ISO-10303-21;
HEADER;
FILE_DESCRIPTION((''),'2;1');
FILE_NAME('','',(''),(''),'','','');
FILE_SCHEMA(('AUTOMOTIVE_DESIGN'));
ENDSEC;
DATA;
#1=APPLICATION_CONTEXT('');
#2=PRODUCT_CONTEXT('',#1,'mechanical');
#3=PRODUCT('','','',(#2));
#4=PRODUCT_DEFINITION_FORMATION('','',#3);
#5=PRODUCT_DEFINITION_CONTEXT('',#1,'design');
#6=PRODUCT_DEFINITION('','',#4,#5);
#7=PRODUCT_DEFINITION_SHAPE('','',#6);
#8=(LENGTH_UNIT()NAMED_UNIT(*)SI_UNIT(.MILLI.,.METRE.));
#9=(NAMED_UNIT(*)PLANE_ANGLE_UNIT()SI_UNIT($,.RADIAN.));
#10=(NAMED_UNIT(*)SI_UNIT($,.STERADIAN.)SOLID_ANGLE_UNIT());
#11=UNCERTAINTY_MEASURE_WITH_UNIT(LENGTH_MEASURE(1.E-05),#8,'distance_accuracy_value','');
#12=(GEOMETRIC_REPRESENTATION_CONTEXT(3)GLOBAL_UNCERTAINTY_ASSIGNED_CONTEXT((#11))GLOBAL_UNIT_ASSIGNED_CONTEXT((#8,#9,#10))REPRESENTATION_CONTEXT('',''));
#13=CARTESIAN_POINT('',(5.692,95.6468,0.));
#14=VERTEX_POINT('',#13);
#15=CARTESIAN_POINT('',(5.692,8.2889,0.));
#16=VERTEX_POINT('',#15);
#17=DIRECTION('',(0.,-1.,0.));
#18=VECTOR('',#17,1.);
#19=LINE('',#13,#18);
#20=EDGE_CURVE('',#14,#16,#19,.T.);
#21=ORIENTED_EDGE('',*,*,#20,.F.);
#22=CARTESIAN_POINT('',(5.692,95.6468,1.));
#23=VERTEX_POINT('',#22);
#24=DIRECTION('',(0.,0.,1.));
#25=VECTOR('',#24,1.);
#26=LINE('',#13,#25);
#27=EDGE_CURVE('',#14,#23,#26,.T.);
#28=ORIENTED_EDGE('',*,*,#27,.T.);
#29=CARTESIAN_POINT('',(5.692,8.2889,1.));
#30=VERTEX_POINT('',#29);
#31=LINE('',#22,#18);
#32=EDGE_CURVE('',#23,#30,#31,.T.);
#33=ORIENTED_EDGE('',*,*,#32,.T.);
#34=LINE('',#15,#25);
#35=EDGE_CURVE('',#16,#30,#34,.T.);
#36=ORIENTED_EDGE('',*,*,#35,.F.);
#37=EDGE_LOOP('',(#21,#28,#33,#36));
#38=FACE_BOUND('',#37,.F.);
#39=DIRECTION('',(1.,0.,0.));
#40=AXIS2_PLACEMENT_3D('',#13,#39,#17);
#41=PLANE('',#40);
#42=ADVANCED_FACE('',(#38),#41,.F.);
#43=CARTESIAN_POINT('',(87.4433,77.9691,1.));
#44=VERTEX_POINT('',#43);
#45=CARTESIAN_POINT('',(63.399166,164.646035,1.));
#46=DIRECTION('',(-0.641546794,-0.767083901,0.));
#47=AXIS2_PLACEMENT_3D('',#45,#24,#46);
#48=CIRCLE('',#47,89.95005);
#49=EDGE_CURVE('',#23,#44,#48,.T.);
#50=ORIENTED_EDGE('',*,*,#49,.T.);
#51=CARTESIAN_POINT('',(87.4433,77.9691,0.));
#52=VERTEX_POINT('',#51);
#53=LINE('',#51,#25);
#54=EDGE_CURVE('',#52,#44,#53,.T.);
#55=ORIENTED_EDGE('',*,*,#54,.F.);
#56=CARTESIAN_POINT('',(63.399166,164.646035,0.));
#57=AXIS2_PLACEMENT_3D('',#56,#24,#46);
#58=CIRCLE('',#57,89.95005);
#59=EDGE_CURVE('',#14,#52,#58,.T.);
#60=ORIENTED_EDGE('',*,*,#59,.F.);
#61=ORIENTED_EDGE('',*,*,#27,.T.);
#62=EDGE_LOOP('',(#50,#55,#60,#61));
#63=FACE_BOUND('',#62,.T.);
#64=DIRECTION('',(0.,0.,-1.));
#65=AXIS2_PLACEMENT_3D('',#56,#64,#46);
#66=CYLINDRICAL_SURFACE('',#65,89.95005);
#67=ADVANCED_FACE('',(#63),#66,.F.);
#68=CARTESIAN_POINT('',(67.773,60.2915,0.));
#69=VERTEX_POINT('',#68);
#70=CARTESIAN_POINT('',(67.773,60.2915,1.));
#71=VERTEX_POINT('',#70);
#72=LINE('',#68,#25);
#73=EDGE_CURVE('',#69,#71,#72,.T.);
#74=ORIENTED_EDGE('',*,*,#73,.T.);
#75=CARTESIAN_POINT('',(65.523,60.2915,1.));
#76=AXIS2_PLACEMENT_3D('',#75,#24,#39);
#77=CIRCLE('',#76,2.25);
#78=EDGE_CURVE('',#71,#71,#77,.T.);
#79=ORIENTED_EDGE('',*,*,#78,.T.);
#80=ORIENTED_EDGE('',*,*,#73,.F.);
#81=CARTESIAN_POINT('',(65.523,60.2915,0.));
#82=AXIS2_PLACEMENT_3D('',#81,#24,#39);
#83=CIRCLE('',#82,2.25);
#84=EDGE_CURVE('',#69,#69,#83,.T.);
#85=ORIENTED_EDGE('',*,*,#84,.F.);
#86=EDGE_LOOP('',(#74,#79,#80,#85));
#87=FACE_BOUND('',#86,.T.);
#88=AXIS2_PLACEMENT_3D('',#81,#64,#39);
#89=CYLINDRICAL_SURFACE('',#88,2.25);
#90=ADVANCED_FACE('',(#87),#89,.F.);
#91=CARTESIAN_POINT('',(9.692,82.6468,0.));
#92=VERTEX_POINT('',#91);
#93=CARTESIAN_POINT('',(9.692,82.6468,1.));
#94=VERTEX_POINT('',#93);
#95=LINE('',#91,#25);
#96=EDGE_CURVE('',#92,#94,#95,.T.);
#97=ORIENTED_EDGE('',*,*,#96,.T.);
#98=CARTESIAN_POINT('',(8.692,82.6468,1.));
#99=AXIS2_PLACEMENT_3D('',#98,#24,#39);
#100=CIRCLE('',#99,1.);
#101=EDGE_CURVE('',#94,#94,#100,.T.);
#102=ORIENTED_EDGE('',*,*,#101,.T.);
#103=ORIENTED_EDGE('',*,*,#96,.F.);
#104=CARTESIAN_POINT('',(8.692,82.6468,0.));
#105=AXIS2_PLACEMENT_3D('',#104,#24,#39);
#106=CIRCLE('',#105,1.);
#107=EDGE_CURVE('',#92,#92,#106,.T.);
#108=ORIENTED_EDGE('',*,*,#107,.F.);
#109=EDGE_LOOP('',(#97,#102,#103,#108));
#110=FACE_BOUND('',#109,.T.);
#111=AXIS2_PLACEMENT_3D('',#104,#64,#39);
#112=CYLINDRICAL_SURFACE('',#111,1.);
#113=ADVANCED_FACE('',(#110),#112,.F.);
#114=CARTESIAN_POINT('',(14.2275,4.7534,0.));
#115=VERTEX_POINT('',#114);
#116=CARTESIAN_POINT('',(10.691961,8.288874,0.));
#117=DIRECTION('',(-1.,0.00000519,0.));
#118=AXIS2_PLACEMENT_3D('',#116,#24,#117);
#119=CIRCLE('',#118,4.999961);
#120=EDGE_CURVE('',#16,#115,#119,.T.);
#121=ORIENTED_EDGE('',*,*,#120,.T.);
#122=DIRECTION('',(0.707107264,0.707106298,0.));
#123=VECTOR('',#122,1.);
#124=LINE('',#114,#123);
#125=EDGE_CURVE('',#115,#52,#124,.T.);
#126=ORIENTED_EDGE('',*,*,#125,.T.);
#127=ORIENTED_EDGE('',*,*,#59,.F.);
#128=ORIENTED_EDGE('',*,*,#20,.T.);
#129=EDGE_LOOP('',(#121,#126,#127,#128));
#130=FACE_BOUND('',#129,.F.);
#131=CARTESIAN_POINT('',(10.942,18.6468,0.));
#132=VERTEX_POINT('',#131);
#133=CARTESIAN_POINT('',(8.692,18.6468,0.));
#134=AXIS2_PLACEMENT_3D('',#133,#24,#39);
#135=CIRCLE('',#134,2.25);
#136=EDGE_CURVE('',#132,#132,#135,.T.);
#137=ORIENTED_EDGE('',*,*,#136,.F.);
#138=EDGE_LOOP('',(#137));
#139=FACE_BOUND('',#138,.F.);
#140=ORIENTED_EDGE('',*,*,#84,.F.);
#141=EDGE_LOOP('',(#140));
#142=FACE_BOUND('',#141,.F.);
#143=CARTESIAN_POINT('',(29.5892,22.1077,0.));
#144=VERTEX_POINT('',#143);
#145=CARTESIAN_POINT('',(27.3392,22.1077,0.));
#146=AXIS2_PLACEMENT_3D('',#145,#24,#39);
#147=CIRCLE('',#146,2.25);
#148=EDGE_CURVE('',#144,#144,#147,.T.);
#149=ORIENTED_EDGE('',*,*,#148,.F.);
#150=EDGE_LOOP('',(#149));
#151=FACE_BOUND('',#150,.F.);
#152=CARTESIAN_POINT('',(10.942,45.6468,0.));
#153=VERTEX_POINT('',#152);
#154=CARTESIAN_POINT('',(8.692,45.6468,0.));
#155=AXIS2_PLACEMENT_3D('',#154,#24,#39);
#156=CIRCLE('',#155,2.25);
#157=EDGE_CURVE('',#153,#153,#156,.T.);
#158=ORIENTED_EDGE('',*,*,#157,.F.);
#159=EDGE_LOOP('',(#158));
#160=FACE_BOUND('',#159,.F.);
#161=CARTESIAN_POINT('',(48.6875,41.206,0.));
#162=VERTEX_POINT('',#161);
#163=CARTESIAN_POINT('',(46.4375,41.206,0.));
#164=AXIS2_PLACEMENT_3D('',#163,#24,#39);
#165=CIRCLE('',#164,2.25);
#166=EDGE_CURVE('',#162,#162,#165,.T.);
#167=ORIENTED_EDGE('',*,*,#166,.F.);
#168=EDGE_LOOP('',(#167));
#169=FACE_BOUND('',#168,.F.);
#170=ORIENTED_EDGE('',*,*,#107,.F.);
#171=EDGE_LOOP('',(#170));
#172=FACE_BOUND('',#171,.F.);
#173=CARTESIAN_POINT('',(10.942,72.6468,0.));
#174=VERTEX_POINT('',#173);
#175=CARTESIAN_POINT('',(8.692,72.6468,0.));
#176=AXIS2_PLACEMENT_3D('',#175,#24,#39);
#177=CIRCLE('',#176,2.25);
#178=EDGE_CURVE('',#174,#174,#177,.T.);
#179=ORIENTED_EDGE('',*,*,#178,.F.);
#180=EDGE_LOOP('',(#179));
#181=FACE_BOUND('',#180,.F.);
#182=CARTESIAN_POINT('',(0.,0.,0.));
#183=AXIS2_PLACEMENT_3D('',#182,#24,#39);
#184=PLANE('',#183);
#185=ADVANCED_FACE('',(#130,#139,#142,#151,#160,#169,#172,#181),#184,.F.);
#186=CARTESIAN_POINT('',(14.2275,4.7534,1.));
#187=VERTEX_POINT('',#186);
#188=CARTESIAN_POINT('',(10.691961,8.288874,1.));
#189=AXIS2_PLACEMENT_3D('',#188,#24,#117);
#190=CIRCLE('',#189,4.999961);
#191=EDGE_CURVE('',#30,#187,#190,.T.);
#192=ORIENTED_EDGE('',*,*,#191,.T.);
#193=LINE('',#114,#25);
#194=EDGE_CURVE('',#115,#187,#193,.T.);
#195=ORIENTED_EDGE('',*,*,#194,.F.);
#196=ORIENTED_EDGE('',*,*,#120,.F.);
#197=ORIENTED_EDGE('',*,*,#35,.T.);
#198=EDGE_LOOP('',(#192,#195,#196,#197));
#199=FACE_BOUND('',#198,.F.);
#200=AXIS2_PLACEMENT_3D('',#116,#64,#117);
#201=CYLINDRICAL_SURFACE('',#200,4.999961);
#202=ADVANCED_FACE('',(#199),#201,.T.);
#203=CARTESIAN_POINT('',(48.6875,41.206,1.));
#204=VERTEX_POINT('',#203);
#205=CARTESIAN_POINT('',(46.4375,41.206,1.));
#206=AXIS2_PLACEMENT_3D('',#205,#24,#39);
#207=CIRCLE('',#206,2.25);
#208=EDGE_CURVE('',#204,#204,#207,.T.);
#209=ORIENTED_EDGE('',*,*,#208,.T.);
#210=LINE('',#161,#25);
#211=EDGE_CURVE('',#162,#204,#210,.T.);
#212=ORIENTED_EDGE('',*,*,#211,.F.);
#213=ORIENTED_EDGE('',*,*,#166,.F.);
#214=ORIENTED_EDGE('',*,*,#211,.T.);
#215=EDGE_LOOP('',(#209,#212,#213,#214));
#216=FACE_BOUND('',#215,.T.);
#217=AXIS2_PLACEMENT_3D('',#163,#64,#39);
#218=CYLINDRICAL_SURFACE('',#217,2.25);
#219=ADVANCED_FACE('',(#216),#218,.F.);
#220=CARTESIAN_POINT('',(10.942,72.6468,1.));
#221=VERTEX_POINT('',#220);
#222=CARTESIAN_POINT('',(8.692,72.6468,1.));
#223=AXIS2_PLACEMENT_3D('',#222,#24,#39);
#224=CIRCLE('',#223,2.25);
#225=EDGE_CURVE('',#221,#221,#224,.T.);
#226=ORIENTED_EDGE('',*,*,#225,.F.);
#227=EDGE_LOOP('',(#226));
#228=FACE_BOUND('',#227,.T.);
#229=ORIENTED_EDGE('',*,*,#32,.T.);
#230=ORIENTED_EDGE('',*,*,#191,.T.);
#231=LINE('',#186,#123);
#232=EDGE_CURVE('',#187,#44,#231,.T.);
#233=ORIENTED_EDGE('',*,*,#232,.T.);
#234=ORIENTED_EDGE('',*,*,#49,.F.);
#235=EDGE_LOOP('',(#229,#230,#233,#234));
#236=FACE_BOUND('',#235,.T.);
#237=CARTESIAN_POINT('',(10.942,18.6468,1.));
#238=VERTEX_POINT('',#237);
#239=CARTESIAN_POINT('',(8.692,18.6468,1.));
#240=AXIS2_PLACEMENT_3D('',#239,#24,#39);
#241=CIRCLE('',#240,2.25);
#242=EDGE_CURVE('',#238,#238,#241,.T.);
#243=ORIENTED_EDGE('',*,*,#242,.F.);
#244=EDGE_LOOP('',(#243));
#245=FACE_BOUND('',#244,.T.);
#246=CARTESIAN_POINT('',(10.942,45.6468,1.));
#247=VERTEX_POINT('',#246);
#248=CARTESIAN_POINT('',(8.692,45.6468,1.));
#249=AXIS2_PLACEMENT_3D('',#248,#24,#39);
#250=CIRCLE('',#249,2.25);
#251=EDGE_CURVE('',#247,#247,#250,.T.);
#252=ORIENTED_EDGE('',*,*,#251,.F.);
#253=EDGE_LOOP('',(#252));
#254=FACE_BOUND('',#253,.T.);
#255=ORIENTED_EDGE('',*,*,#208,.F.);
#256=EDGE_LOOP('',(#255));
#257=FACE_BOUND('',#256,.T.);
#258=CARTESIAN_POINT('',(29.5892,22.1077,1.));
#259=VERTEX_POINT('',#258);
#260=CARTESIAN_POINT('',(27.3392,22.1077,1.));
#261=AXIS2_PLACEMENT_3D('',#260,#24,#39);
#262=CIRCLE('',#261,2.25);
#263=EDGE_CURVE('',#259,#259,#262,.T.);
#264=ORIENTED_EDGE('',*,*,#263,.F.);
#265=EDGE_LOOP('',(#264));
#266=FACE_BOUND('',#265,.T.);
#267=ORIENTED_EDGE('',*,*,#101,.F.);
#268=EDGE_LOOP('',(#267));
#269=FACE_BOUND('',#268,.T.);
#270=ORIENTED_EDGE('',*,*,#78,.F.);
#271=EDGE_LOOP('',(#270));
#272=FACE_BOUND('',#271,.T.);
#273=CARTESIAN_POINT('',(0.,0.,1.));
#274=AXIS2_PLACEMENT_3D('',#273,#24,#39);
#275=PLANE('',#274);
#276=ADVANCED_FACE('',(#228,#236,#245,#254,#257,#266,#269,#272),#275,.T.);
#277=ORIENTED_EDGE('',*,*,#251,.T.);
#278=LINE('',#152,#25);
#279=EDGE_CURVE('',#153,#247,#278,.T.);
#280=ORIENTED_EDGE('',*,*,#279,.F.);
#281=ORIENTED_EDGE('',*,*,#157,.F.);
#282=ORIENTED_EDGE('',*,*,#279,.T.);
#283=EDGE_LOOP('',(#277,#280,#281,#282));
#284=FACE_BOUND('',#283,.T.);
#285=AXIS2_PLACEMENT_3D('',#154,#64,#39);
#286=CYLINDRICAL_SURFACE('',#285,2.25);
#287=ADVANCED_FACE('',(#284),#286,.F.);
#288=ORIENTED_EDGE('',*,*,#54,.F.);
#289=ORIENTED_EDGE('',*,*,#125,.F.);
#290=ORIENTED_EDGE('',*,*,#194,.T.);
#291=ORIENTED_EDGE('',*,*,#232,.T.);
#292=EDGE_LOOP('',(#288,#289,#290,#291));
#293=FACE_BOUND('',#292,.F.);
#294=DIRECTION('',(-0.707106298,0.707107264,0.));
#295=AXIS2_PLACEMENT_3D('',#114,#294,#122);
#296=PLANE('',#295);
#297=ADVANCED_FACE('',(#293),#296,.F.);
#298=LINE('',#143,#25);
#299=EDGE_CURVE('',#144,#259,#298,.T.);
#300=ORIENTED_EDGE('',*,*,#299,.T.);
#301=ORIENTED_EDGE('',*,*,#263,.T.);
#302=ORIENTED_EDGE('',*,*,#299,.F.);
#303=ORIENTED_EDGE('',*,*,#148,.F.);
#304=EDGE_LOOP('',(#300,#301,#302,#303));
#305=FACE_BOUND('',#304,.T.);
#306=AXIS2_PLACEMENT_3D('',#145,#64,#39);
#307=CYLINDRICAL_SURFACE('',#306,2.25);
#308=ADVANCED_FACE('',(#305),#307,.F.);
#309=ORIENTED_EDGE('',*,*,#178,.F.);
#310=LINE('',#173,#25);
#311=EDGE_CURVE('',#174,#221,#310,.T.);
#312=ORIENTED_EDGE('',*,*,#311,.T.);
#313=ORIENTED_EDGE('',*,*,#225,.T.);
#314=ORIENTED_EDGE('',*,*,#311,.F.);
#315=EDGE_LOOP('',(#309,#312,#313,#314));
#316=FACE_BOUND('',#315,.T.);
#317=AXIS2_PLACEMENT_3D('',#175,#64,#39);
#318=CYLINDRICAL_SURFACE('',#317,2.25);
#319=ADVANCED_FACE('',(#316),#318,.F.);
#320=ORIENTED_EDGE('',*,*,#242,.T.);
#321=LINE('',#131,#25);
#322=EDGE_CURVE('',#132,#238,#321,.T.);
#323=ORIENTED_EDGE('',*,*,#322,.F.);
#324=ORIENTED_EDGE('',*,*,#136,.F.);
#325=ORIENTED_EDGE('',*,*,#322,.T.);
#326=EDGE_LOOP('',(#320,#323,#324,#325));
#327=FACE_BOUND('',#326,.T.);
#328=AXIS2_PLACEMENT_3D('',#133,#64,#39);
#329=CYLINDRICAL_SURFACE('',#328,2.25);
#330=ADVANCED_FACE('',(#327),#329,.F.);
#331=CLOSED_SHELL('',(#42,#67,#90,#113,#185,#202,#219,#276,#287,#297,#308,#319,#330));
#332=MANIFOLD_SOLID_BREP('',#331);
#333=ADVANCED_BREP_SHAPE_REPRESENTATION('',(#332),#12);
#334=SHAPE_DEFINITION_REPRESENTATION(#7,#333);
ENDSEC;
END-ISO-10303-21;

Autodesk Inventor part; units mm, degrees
ref_plane "YZ Plane" through (0, 0, 0) normal (1, 0, 0) x (0, 1, 0)
ref_plane "XZ Plane" through (0, 0, 0) normal (0, 1, 0) x (-1, 0, 0)
ref_plane "XY Plane" through (0, 0, 0) normal (0, 0, 1) x (1, 0, 0)
sketch "Sketch1" plane through (0, 0, 0) normal (0, 0, 1) x (1, 0, 0)
  line L0 (5.692, 95.6468) -> (5.692, 8.2889)
  line L1 (14.2275, 4.7534) -> (87.4433, 77.9691)
  arc A0 (5.692, 95.6468) -> (87.4433, 77.9691) centre (63.3991, 164.6459) ccw
  line L2 (59.8725, 27.771) -> (44.3162, 43.3273) construction
  circle A1 centre (46.4375, 41.206) radius 2.25
  circle A2 centre (27.3392, 22.1077) radius 2.25
  circle A3 centre (65.523, 60.2915) radius 2.25
  circle A4 centre (8.692, 18.6468) radius 2.25
  circle A5 centre (8.692, 45.6468) radius 2.25
  circle A6 centre (8.692, 72.6468) radius 2.25
  arc A7 (5.692, 8.2889) -> (14.2275, 4.7534) centre (10.692, 8.2889) ccw
  line L3 (0, -29.262) -> (0, 157.4073) construction
  line L4 (8.692, 99.7724) -> (8.692, -5.6931) construction
  line L5 (0.8124, -4.4191) -> (92.0626, 86.8311) construction
  circle A8 centre (8.692, 82.6468) radius 1
  point P0 (0, 0)
  dimension "d0" = 4.5
  dimension "d1" = 4.5
  dimension "d2" = 4.5
  dimension "d3" = 5
  dimension "d4" = 3
  dimension "d5" = 3
  dimension "d8" = 2
  dimension "d9" = 10
extrude "Extrusion1" add sketch "Sketch1" along normal blind 1
properties part number "SolarPanel_A"
